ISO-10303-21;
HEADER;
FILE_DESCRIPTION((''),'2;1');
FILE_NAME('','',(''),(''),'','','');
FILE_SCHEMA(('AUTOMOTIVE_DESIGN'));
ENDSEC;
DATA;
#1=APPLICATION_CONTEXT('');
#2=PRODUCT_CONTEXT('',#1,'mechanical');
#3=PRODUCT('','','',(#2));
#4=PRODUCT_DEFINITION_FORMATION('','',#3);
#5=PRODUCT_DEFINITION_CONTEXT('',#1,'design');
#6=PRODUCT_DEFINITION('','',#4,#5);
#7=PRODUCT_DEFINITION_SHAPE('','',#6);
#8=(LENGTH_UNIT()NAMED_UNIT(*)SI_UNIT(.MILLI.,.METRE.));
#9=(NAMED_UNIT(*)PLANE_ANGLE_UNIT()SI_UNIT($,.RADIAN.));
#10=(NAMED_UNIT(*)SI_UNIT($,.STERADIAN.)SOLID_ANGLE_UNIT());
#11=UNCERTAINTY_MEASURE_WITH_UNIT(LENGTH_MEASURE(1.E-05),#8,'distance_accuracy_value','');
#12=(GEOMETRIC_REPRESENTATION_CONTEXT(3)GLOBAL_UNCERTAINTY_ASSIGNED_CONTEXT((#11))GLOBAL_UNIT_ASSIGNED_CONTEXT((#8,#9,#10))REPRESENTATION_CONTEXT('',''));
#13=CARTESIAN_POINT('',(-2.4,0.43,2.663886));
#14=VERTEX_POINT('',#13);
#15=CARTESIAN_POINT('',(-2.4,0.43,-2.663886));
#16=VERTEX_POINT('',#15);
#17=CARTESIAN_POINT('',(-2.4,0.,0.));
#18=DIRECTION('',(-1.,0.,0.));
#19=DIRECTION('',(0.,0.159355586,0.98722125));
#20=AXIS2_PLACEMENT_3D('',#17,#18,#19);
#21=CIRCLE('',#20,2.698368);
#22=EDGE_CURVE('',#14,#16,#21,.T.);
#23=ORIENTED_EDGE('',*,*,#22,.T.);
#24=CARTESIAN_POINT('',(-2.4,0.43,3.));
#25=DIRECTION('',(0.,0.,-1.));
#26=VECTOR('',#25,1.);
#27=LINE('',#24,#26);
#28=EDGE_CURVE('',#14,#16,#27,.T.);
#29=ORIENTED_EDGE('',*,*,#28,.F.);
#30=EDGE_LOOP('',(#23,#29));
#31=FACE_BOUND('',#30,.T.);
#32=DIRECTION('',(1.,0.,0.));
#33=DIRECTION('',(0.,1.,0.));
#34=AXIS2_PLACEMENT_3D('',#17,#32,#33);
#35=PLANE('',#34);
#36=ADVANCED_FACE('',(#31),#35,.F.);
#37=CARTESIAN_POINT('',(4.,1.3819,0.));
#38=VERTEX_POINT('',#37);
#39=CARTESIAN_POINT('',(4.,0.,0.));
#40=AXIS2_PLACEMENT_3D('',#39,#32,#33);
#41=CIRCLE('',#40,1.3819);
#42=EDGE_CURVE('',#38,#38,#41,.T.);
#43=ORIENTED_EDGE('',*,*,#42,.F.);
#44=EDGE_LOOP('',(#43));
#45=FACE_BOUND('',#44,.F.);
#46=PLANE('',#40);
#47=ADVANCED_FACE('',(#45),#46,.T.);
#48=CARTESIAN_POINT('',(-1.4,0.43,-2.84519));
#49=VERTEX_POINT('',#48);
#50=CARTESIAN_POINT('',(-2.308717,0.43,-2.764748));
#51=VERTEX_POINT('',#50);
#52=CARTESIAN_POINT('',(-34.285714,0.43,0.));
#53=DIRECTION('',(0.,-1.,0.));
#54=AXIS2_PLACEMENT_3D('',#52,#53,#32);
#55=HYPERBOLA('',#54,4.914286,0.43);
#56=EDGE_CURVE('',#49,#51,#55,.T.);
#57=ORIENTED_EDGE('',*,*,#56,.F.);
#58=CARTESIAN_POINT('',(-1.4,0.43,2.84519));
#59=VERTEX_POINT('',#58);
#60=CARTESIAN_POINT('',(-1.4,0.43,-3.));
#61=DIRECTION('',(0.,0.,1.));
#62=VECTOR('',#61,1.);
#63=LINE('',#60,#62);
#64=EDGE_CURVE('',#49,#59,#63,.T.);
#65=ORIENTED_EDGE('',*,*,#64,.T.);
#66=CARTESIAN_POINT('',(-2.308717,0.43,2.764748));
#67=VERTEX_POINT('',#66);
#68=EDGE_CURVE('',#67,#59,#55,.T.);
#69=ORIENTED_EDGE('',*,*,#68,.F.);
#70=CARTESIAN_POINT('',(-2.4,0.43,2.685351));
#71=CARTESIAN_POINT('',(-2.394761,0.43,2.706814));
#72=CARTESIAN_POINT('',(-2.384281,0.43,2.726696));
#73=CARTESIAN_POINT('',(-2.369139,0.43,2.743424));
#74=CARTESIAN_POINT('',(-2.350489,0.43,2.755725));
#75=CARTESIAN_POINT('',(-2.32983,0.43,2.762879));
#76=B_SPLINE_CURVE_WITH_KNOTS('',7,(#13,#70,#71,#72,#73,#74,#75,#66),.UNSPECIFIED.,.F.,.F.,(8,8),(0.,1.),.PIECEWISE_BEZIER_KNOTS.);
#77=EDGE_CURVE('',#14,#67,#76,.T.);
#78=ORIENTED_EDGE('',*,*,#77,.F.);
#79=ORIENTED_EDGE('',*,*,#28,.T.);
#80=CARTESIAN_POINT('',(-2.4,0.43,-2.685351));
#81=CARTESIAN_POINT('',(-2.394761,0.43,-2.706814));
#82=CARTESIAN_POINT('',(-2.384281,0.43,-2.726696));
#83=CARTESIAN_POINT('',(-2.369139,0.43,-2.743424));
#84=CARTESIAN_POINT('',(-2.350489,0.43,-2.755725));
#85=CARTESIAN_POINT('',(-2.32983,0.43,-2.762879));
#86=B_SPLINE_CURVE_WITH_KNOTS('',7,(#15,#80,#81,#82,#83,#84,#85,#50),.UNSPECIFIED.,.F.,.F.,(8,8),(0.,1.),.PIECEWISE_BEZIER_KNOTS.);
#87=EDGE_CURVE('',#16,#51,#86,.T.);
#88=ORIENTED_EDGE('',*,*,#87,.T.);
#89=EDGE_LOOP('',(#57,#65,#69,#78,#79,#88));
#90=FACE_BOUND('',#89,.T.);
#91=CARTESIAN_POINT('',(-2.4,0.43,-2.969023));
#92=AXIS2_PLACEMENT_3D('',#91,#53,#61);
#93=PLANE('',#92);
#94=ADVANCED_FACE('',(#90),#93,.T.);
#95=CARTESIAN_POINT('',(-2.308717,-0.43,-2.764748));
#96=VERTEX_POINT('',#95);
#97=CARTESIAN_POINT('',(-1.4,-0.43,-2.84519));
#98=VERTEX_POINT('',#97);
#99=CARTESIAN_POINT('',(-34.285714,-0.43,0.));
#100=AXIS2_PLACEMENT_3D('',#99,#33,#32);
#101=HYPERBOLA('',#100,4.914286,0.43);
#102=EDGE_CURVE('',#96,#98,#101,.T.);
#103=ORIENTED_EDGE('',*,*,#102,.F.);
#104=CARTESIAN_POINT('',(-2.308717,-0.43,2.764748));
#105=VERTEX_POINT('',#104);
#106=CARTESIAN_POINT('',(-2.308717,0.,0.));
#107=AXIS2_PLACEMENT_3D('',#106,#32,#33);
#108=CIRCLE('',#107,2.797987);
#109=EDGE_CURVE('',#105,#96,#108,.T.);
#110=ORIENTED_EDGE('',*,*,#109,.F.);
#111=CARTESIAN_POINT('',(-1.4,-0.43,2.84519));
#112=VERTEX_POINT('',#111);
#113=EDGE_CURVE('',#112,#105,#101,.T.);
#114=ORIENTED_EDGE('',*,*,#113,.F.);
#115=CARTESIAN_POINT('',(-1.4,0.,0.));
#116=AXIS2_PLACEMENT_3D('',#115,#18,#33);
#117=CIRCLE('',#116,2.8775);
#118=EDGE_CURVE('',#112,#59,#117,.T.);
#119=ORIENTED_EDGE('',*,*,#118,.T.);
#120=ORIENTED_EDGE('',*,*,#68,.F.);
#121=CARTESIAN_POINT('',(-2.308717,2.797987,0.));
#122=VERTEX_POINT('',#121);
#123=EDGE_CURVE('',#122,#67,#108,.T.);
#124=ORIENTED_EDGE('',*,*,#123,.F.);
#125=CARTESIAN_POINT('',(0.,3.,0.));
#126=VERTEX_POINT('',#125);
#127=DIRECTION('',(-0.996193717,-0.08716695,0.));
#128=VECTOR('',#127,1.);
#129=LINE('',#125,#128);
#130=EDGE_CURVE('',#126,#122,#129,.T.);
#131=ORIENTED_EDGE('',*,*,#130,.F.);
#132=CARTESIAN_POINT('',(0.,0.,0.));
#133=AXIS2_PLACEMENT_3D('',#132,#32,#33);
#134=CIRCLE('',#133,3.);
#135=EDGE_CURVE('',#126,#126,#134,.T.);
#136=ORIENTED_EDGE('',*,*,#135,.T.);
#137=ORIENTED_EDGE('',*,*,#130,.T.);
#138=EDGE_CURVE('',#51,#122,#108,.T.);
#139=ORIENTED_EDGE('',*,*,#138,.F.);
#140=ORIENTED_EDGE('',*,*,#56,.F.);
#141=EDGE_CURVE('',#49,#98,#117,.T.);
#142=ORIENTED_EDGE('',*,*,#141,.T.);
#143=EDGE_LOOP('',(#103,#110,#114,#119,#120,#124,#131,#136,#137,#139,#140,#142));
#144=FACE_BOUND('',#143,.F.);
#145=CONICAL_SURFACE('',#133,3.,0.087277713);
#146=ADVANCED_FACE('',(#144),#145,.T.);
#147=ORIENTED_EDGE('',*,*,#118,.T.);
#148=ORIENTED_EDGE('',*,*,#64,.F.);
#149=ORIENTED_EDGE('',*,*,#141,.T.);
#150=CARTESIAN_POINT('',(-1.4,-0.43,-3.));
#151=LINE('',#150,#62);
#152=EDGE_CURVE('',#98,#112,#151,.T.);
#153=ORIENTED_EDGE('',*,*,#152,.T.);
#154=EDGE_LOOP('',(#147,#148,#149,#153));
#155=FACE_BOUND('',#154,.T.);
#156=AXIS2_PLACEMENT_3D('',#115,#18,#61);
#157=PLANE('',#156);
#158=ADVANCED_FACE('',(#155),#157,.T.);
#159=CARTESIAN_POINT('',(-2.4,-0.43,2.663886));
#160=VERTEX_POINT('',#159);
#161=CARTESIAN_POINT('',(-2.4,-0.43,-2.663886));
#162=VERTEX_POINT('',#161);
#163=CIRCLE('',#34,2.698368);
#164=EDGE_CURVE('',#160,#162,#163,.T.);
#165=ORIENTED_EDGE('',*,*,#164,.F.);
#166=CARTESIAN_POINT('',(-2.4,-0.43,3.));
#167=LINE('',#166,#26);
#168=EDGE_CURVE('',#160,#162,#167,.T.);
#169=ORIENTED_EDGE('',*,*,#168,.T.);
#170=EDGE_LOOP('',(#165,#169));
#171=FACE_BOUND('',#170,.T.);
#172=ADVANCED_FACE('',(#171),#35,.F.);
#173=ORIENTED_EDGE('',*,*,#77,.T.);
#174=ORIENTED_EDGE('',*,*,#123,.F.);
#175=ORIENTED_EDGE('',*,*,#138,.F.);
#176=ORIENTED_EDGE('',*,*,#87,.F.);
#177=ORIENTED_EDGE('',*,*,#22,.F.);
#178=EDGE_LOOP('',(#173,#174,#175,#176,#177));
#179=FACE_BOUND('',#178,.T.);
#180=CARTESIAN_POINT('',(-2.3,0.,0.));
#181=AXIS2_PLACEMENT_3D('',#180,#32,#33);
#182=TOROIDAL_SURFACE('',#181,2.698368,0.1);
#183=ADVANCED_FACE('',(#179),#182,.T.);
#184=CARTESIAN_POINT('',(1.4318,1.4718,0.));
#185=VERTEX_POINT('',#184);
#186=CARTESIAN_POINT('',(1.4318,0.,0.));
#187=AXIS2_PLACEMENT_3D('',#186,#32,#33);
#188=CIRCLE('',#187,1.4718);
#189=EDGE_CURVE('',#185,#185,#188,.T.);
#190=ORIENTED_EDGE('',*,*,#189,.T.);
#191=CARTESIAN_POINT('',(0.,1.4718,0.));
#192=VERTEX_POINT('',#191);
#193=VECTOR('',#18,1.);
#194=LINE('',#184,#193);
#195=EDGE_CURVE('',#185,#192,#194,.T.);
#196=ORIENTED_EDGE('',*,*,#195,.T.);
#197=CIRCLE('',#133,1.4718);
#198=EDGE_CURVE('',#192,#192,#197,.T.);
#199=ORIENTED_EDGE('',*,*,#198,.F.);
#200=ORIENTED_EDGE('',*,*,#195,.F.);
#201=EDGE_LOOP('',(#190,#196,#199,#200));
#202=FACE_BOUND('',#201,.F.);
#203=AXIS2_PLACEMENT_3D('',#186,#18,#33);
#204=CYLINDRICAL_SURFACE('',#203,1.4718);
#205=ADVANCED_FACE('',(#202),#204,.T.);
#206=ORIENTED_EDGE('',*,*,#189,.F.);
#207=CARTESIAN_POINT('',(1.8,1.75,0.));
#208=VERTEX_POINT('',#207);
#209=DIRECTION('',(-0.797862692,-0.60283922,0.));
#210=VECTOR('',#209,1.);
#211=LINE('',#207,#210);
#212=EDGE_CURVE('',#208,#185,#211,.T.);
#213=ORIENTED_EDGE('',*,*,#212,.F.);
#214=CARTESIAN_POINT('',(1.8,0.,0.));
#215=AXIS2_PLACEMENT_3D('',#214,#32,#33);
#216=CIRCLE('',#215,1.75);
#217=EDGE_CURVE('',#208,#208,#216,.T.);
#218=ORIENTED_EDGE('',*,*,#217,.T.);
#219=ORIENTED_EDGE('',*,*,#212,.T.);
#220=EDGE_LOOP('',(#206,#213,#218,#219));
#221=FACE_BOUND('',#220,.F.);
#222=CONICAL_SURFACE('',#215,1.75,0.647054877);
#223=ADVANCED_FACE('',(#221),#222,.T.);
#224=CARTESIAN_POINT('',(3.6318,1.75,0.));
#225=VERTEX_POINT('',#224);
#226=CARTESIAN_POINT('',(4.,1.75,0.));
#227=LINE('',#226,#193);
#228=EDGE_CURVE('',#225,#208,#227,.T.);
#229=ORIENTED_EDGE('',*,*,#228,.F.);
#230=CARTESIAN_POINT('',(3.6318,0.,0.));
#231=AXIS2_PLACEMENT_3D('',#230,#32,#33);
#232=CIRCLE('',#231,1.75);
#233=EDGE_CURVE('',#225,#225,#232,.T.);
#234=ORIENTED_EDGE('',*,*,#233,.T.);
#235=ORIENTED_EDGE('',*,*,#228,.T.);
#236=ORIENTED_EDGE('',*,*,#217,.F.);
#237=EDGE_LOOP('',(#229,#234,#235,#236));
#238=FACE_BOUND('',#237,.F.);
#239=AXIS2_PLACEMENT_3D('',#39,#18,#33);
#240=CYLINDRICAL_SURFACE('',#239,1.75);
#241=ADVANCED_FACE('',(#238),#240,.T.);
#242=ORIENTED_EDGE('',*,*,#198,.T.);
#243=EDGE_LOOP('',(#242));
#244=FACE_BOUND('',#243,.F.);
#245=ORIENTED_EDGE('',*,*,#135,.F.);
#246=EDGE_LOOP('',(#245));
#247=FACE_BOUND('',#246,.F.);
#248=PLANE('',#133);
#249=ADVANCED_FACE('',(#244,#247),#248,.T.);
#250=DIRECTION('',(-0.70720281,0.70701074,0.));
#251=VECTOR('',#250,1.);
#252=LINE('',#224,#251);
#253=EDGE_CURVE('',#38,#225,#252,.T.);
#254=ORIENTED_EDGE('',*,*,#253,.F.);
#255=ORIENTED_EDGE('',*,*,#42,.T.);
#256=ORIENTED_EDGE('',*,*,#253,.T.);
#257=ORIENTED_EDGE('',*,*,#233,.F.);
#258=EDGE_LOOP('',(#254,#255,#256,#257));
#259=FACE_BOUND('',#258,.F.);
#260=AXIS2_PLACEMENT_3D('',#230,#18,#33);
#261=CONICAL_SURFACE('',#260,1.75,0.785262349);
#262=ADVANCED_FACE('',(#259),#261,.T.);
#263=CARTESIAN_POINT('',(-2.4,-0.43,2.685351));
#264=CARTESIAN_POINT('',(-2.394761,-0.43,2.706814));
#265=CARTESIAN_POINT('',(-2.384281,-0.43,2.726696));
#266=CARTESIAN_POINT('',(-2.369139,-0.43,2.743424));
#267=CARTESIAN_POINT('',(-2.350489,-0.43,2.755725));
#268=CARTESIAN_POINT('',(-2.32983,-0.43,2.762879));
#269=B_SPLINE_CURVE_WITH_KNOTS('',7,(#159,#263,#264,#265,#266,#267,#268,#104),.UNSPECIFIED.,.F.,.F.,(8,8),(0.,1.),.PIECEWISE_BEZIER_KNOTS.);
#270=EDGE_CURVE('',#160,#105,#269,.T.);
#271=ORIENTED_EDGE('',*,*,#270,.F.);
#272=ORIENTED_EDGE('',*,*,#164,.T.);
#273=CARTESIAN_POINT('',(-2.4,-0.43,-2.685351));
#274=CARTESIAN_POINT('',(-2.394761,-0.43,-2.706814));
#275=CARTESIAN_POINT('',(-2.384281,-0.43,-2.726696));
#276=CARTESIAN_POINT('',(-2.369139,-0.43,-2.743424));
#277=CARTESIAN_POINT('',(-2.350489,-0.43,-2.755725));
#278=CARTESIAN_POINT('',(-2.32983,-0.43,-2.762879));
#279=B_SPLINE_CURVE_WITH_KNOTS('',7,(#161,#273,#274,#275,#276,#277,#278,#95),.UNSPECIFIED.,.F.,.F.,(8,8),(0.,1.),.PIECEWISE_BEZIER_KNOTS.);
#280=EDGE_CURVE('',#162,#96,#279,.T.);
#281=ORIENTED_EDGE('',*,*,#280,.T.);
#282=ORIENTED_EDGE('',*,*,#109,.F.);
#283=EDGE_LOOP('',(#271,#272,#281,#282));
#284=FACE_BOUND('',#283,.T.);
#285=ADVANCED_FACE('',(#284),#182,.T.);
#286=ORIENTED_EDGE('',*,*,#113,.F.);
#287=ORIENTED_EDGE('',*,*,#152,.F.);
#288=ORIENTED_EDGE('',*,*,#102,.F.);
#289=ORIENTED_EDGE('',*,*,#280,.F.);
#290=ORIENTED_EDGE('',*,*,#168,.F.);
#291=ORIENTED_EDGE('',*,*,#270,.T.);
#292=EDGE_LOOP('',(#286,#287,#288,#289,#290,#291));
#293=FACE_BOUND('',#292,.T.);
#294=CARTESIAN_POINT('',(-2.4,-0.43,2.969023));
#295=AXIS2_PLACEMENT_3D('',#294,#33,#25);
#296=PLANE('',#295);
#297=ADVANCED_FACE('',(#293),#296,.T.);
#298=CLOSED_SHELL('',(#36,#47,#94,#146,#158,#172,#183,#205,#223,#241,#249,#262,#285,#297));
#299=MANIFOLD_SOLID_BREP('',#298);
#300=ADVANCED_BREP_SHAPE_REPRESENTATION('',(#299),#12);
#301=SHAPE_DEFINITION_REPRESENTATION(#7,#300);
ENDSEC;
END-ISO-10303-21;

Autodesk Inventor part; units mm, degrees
ref_plane "YZ Plane" through (0, 0, 0) normal (1, 0, 0) x (0, 1, 0)
ref_plane "XZ Plane" through (0, 0, 0) normal (0, 1, 0) x (-1, 0, 0)
sketch "Sketch1" plane through (0, 0, 0) normal (0, 0, 1) x (1, 0, 0)
  line L0 (-2.4, 0) -> (4, 0)
  line L1 (4, 0) -> (4, 1.75)
  line L2 (4, 1.75) -> (1.8, 1.75)
  line L3 (1.8, 1.75) -> (1.4318, 1.4718)
  line L4 (1.4318, 1.4718) -> (0, 1.4718)
  line L5 (0, 1.4718) -> (0, 3)
  line L6 (-3.68, 0) -> (5.28, 0) projected
  line L7 (0, -0.6) -> (0, 3.6) projected
  line L8 (-2.4, 0) -> (-2.4, 2.79)
  line L9 (0, 3) -> (-2.4, 2.79)
  line L10 (1.8, 1.75) -> (0, 1.75) construction
  dimension "d0" = 4
  dimension "d1" = 2.2
  dimension "d2" = 0.3682
  dimension "d3" = 2.4
  dimension "d4" = 3.5
  dimension "d5" = 2.9435
  dimension "d9" = 6
  dimension "d10" = 5
revolve "Body" add sketch "Sketch1" angle 360 about axis through (-2.4, 0, 0) along (1, 0, 0)
sketch "Sketch2" plane through (-2.4, 0, 0) normal (-1, 0, 0) x (0, 0, 1)
  circle A0 centre (0, 0) radius 3 projected
  line L0 (0, 0) -> (0, 2.79) projected
  line L1 (-3, 0.43) -> (3, 0.43)
  line L2 (3, 0.43) -> (3, -0.43)
  line L3 (3, -0.43) -> (-3, -0.43)
  line L4 (-3, -0.43) -> (-3, 0.43)
  line L5 (-3, 0) -> (3, 0) construction
  line L6 (0, 0.43) -> (0, -0.43) construction
  dimension "d11" = 0.86
  dimension "d12" = 6
fillet "Fillet1" radius 0.1 1 edges at (-2.4, -2.79, 0)
extrude "Slot" cut sketch "Sketch2" against normal blind 1 contours A0 L3 L1 | L2 L3 A0 | A0 L1 L2 | A0 L4 L1 | L3 L4 A0
thread "Thread" size "M3.5x0.6" class "6g" standard "ISO Metric profile" length 2.2
chamfer "Chamfer1" distance 0.3681 distance2 0.3682 1 edges at (4, -1.75, 0) measured on face at (4, 0.4865, -0.0239)
ref_plane "Work Plane1" through (30.1625, 0, 0) normal (0, 0, -1) x (1, 0, 0)
equation "\"d11\" = SBR"
equation "\"d12\" = KOD"
equation "\"d14\" = RR"
equation "\"d19\" = STI"
equation "\"d15\" = GEL"
equation "\"d17\" = -0.5 * SPD + 0.5 * GD"
equation "\"d0\" = NLG"
equation "\"d1\" = GEL"
equation "\"d3\" = KOH"
equation "\"d4\" = GD"
equation "\"d5\" = BDM"
equation "\"d9\" = KOD"
equation "\"d10\" = KEWI"
equation "\"GD\" = NND"
equation "\"NLG\" = 4"
equation "\"GEL\" = 2.2"
equation "\"KOD\" = 6"
equation "\"KOH\" = 2.4"
equation "\"GAL\" = 0.61345 * PTC"
equation "\"SPD\" = NND - 1.2269 * PTC"
equation "\"BDM\" = 2.9435"
equation "\"GUL\" = 0.61345 * PTC"
equation "\"RR\" = 0.1"
equation "\"SBR\" = 0.86"
equation "\"STI\" = 1"
equation "\"KEWI\" = 5deg"
equation "\"PTC\" = 0.6"
equation "\"THREADDIA\" = 3.5"
equation "\"TOA\" = 30deg"
equation "\"NND\" = 3.5"
equation "\"GD1\" = THREADDIA - 1.2269 * PTC"
properties part number "CSN 02 1131 - M3.5 x 4" material "Steel, Mild"
